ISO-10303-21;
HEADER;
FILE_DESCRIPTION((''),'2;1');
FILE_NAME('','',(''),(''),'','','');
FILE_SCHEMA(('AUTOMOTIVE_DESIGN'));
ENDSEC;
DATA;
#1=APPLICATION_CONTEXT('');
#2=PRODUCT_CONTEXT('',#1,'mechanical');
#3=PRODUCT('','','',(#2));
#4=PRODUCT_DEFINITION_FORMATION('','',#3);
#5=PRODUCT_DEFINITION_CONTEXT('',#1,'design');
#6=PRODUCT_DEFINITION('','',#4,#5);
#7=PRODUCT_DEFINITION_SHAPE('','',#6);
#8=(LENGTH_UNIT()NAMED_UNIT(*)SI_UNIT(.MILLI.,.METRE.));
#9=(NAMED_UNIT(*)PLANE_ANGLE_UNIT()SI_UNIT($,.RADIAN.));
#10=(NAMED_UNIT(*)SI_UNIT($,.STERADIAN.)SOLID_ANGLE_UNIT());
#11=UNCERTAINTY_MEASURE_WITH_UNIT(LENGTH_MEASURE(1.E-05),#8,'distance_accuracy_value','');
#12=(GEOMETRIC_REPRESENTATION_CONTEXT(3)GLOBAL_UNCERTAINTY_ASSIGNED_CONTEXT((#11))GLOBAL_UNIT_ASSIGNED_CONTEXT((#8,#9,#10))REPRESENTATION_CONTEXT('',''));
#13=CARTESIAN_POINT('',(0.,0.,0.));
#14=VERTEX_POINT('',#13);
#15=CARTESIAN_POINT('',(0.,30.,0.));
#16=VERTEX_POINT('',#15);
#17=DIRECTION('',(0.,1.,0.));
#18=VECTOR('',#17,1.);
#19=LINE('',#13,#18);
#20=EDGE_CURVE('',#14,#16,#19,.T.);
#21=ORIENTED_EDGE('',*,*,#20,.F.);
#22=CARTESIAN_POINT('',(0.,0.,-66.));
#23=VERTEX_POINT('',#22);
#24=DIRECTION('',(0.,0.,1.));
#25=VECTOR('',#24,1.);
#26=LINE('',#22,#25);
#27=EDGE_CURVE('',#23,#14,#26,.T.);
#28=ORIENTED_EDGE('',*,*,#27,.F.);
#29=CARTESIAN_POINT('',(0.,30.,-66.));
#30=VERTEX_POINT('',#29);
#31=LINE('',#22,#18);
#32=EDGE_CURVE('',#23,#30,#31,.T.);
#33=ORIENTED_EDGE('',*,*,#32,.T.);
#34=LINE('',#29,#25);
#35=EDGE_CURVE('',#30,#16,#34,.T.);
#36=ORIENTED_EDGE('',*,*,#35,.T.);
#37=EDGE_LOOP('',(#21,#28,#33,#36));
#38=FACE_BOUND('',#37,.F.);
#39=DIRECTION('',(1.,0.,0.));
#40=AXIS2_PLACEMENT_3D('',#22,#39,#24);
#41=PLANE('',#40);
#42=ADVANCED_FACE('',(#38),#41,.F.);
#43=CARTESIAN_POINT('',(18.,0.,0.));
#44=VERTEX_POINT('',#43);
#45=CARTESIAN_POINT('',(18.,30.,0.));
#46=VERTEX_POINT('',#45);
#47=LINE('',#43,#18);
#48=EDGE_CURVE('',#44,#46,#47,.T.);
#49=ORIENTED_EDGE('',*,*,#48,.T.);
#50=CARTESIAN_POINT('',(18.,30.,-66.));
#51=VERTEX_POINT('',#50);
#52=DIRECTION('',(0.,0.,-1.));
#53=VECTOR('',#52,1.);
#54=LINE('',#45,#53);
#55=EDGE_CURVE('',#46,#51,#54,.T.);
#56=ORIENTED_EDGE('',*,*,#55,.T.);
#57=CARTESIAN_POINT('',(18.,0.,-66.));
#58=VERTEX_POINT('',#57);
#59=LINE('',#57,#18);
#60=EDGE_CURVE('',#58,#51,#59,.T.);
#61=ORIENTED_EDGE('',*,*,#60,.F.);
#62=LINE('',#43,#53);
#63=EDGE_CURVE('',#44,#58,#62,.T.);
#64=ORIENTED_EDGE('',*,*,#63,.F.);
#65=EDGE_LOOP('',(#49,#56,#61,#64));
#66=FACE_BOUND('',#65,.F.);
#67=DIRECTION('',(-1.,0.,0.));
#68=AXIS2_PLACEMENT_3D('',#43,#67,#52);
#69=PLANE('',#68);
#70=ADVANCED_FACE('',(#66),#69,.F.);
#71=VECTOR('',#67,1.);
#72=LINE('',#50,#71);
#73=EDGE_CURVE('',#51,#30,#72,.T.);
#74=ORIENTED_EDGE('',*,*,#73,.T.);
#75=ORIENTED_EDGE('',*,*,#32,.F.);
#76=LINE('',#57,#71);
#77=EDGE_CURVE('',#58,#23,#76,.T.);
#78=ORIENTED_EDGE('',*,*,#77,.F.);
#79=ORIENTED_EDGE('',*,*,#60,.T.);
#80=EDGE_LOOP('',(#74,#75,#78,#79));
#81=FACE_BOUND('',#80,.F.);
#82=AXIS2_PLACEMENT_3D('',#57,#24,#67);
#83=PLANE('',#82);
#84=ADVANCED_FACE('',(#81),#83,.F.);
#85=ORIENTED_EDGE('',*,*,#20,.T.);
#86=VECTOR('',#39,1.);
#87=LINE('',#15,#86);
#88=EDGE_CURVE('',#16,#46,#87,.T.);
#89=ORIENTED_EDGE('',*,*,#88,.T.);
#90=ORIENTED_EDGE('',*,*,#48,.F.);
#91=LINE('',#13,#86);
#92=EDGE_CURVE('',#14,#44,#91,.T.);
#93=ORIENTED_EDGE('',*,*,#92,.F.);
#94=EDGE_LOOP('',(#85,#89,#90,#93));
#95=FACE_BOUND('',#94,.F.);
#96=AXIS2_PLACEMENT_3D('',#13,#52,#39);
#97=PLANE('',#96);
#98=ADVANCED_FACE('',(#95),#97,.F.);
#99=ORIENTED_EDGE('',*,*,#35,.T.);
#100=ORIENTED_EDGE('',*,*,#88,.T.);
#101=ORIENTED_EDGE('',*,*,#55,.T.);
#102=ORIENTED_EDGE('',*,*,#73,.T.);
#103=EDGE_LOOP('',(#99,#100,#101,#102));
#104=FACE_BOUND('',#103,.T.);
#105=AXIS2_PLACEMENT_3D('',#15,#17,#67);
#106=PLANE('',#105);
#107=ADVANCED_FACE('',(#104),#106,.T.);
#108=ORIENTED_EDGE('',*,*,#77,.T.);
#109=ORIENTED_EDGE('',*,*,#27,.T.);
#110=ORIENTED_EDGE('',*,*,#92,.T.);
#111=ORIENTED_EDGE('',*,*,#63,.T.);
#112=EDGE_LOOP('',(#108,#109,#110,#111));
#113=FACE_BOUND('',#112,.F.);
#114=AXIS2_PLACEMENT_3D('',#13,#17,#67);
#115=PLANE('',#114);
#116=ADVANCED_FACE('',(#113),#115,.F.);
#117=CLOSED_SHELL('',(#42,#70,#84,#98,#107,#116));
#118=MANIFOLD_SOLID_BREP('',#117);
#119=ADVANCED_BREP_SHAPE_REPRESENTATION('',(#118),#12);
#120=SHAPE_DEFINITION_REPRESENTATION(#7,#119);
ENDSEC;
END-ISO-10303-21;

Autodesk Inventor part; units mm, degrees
ref_plane "YZ Plane" through (0, 0, 0) normal (1, 0, 0) x (0, 1, 0)
ref_plane "XZ Plane" through (0, 0, 0) normal (0, 1, 0) x (-1, 0, 0)
ref_plane "XY Plane" through (0, 0, 0) normal (0, 0, 1) x (1, 0, 0)
sketch "Sketch2" plane through (0, 0, 0) normal (0, 1, 0) x (-1, 0, 0)
  line L0 (0, 0) -> (-18, 0)
  line L1 (-18, 0) -> (-18, -66)
  line L2 (-18, -66) -> (0, -66)
  line L3 (0, -66) -> (0, 0)
  dimension "d0" = 18
  dimension "d1" = 66
extrude "Extrusion1" add sketch "Sketch2" along normal blind 30
properties part number "lipo3s650" material "Acetal Resin, Black"
